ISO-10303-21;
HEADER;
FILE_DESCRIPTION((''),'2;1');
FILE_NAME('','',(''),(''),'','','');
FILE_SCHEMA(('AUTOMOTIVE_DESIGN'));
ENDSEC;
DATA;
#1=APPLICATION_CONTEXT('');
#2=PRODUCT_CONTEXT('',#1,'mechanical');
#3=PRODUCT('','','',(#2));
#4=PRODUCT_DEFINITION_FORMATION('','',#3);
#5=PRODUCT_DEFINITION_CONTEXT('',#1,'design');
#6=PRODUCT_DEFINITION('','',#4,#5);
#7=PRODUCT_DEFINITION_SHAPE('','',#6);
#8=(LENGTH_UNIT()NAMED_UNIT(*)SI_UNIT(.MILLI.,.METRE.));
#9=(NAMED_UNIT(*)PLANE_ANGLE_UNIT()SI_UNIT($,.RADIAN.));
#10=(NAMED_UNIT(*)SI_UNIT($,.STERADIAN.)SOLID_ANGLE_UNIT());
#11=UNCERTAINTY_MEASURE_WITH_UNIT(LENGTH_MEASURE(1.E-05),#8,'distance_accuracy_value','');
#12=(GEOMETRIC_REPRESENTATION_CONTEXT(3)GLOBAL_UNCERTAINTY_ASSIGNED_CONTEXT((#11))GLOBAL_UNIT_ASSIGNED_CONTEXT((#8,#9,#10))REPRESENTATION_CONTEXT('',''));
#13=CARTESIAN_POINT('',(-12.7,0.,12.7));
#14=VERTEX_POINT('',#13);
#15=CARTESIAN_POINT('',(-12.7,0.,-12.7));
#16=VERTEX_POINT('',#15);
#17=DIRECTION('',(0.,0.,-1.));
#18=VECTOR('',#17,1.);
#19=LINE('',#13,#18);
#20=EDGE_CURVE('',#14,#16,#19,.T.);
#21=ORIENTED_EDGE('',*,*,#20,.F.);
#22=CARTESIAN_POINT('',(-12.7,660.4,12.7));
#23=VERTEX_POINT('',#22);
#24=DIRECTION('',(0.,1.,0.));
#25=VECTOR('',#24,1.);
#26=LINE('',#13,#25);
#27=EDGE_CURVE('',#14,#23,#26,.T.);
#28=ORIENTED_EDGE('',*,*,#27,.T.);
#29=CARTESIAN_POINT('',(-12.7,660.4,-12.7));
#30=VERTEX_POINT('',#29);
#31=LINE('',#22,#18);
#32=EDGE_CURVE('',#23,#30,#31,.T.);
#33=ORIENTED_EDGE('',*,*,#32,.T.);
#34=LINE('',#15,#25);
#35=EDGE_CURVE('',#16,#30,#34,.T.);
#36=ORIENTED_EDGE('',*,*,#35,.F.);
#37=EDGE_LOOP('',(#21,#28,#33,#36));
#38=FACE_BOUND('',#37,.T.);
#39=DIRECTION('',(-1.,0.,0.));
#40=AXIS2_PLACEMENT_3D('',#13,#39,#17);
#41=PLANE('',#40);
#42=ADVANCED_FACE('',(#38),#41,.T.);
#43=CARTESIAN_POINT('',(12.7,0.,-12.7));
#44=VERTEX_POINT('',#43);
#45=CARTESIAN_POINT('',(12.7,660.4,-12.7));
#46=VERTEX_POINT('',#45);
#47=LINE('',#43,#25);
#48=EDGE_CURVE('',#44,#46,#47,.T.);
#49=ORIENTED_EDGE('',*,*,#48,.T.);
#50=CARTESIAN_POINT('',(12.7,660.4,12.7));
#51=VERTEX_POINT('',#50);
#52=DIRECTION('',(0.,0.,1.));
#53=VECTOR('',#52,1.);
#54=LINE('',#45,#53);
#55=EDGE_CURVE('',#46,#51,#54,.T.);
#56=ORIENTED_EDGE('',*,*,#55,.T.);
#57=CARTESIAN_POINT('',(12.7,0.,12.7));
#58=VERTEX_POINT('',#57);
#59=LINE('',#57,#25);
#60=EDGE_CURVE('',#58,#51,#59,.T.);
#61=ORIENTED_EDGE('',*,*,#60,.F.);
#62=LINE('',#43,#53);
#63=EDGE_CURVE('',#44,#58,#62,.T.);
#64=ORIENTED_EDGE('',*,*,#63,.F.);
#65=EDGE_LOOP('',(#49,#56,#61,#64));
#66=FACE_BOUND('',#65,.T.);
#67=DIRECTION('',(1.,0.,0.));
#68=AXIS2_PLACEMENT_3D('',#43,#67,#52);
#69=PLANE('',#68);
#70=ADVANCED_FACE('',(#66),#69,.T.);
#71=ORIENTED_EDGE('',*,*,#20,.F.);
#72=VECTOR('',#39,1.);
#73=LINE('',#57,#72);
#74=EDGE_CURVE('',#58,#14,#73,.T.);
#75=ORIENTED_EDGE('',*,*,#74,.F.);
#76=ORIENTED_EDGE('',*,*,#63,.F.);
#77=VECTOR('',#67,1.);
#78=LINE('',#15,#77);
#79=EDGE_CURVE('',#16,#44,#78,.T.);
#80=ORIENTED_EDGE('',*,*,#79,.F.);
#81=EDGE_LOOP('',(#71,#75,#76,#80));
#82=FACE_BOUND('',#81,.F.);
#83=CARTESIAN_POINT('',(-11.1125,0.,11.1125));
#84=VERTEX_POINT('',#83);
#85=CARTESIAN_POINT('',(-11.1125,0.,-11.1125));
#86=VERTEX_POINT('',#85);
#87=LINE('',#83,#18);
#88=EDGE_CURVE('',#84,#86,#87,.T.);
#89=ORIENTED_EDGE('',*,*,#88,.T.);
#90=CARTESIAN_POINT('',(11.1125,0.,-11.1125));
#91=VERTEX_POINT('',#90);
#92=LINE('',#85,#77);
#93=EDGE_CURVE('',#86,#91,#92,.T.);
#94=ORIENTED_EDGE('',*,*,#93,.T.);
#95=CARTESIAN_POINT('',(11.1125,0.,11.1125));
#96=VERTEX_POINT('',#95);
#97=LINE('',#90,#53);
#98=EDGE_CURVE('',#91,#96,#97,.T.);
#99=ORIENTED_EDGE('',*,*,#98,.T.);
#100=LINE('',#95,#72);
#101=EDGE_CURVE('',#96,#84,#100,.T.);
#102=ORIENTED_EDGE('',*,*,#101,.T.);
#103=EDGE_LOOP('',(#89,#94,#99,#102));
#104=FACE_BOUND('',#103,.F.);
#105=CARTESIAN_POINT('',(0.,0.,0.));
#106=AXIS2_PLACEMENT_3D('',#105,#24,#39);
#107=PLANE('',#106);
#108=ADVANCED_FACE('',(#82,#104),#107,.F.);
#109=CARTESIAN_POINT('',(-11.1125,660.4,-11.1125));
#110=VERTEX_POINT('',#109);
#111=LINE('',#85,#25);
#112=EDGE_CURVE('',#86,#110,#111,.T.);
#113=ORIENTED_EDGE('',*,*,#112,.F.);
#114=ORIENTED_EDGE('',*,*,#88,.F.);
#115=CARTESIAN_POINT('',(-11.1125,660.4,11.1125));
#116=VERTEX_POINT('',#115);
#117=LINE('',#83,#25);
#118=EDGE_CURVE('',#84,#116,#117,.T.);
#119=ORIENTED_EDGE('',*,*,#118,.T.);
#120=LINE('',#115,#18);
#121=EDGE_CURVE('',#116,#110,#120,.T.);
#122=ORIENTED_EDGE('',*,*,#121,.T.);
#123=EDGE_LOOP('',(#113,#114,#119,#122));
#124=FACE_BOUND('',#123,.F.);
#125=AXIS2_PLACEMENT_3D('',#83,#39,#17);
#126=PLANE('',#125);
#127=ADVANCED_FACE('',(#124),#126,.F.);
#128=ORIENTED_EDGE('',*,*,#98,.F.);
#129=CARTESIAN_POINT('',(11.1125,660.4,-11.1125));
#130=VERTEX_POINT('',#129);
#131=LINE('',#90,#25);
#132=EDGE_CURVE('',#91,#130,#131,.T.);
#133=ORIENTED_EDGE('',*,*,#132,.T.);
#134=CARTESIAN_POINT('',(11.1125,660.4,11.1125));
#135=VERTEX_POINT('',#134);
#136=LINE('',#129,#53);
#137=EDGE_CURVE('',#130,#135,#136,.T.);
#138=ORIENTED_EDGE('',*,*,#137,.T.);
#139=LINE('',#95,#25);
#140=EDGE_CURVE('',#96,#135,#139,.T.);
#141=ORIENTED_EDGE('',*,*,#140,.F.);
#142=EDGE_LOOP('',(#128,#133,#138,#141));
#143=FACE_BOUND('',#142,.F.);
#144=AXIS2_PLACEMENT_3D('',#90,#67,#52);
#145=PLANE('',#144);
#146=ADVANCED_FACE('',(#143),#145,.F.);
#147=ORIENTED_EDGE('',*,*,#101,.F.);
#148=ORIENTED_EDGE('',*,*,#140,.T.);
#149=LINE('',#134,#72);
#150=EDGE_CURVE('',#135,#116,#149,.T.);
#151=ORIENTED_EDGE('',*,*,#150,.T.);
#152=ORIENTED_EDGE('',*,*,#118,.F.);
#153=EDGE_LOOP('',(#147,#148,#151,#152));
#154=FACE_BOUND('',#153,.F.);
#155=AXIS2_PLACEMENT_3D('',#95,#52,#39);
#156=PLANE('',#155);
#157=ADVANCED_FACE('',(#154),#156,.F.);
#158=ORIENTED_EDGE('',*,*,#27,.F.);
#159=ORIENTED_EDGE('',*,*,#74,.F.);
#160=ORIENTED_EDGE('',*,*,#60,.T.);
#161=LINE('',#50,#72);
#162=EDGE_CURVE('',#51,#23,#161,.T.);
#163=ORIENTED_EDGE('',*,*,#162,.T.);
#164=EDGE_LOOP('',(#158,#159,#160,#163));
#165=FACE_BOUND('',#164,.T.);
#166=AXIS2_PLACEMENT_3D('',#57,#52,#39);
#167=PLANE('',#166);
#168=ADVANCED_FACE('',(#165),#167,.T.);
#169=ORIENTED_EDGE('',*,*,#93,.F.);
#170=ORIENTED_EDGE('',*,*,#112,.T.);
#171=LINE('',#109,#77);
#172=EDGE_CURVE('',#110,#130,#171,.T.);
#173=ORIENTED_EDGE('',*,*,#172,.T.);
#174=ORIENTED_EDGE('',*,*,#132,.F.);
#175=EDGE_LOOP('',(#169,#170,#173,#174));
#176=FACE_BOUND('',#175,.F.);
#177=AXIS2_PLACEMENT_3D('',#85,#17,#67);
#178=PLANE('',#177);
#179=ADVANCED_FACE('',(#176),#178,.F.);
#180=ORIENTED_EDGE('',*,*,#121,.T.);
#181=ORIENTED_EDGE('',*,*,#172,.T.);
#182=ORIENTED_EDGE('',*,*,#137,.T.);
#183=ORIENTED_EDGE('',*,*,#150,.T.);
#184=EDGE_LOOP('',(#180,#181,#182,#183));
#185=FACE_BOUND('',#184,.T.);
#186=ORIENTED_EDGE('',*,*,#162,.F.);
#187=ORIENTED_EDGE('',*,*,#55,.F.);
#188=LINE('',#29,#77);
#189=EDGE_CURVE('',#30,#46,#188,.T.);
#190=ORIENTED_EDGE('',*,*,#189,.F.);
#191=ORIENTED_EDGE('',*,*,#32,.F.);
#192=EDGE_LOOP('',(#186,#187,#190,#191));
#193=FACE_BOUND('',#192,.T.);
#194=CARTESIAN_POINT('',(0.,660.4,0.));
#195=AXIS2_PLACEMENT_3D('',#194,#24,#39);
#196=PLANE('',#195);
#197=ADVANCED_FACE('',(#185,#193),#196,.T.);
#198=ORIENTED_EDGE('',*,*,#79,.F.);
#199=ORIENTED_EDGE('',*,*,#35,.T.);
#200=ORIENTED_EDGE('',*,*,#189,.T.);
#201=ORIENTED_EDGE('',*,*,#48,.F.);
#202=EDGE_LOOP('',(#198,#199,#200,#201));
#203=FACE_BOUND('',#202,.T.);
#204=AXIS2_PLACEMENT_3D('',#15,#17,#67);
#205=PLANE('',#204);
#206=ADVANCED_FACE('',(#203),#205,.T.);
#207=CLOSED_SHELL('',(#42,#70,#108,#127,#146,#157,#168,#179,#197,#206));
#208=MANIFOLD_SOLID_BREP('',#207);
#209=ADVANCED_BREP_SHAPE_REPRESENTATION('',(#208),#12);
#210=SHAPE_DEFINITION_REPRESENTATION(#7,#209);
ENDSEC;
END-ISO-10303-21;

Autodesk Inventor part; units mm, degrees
ref_plane "YZ Plane" through (0, 0, 0) normal (1, 0, 0) x (0, 1, 0)
ref_plane "XZ Plane" through (0, 0, 0) normal (0, 1, 0) x (-1, 0, 0)
ref_plane "XY Plane" through (0, 0, 0) normal (0, 0, 1) x (1, 0, 0)
sketch "Sketch1" plane through (0, 0, 0) normal (0, 1, 0) x (-1, 0, 0)
  line L0 (12.7, 12.7) -> (12.7, -12.7)
  line L1 (12.7, -12.7) -> (-12.7, -12.7)
  line L2 (-12.7, -12.7) -> (-12.7, 12.7)
  line L3 (-12.7, 12.7) -> (12.7, 12.7)
  line L4 (12.7, 12.7) -> (-12.7, -12.7) construction
  line L5 (12.7, -12.7) -> (-12.7, 12.7) construction
  line L6 (11.1125, 11.1125) -> (11.1125, -11.1125)
  line L7 (11.1125, -11.1125) -> (-11.1125, -11.1125)
  line L8 (-11.1125, -11.1125) -> (-11.1125, 11.1125)
  line L9 (-11.1125, 11.1125) -> (11.1125, 11.1125)
  line L10 (11.1125, 11.1125) -> (-11.1125, -11.1125) construction
  line L11 (11.1125, -11.1125) -> (-11.1125, 11.1125) construction
  point P0 (0, 0)
  dimension "d0" = 25.4
  dimension "d1" = 25.4
  dimension "d2" = 1.5875
  dimension "d3" = 1.5875
extrude "Extrusion1" add sketch "Sketch1" along normal blind 660.4
properties part number "64cmTube" material "Aluminum 6061"
